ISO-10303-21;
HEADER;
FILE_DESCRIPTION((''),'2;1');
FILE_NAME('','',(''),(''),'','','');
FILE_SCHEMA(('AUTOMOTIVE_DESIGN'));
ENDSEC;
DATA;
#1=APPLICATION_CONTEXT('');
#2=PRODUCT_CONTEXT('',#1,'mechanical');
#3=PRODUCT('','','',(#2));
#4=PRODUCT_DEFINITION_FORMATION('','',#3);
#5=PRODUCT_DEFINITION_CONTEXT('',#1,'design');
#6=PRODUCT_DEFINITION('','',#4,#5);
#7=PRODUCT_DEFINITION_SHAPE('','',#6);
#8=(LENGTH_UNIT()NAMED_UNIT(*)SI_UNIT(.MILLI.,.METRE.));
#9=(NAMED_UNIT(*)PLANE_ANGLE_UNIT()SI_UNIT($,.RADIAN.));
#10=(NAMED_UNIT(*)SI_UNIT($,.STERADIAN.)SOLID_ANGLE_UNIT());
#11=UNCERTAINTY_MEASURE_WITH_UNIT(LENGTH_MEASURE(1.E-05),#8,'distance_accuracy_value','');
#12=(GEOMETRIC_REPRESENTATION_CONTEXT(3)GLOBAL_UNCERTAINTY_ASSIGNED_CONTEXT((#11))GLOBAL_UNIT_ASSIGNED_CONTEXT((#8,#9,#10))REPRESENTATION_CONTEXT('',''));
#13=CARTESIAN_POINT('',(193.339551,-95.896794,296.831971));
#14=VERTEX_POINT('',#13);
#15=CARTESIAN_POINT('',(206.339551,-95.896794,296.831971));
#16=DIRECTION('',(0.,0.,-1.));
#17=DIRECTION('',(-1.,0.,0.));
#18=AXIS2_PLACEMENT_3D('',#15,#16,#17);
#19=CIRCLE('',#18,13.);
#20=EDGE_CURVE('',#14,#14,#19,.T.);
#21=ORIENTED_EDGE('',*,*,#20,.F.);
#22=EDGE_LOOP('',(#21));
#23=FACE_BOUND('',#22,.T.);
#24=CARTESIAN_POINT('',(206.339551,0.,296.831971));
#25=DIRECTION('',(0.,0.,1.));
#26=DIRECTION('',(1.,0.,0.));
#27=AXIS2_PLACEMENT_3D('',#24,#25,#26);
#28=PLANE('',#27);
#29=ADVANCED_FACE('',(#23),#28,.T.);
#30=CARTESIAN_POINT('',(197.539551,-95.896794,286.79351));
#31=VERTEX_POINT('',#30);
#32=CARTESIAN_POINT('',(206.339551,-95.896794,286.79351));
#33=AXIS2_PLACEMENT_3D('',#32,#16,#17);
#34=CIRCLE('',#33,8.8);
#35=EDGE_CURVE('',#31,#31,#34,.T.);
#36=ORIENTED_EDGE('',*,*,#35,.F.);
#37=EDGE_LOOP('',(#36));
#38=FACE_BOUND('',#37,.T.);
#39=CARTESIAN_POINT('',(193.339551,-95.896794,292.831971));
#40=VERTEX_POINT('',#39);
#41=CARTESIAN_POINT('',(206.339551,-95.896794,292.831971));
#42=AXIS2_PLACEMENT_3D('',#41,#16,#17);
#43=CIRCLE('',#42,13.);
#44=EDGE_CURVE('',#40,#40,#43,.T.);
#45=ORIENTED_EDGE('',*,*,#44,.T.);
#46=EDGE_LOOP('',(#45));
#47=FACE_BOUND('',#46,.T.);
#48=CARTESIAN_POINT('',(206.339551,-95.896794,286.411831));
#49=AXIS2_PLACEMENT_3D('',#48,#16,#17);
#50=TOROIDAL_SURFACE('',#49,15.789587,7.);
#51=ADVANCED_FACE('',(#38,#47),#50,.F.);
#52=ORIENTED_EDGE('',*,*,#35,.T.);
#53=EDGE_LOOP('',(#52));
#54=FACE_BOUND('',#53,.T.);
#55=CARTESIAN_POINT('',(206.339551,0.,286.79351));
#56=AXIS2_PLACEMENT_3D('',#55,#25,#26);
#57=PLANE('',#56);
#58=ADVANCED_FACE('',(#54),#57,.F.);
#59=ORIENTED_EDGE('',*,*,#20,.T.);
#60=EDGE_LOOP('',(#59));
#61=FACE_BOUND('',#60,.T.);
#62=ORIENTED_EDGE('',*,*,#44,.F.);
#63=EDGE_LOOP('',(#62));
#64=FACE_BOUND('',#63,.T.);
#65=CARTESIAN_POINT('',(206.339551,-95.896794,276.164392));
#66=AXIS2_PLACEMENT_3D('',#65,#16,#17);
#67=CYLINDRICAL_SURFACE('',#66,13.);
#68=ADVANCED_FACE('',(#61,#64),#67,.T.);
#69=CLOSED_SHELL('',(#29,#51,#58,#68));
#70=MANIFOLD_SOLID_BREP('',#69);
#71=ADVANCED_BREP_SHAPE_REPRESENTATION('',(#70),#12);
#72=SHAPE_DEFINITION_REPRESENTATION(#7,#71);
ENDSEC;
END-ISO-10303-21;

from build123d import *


with BuildPart() as part:
    # Sketch4 → Revolve1 (revolve)
    with BuildSketch(Plane.ZY.offset(-206.339551417)):
        with BuildLine():
            Line((286.793509682, -87.096793579), (286.793509682, -95.896793579))
            Line((286.793509682, -95.896793579), (296.83197122, -95.896793579))
            Line((296.83197122, -95.896793579), (296.83197122, -82.896793579))
            Line((296.83197122, -82.896793579), (292.83197122, -82.896793579))
            ThreePointArc((292.83197122, -82.896793579), (290.408852958, -85.85384178), (286.793509682, -87.096793579))
        make_face()
    revolve(axis=Axis((206.339551417, -95.896793579, 276.164391965), (0, 0, 1)))


solid = part.part
